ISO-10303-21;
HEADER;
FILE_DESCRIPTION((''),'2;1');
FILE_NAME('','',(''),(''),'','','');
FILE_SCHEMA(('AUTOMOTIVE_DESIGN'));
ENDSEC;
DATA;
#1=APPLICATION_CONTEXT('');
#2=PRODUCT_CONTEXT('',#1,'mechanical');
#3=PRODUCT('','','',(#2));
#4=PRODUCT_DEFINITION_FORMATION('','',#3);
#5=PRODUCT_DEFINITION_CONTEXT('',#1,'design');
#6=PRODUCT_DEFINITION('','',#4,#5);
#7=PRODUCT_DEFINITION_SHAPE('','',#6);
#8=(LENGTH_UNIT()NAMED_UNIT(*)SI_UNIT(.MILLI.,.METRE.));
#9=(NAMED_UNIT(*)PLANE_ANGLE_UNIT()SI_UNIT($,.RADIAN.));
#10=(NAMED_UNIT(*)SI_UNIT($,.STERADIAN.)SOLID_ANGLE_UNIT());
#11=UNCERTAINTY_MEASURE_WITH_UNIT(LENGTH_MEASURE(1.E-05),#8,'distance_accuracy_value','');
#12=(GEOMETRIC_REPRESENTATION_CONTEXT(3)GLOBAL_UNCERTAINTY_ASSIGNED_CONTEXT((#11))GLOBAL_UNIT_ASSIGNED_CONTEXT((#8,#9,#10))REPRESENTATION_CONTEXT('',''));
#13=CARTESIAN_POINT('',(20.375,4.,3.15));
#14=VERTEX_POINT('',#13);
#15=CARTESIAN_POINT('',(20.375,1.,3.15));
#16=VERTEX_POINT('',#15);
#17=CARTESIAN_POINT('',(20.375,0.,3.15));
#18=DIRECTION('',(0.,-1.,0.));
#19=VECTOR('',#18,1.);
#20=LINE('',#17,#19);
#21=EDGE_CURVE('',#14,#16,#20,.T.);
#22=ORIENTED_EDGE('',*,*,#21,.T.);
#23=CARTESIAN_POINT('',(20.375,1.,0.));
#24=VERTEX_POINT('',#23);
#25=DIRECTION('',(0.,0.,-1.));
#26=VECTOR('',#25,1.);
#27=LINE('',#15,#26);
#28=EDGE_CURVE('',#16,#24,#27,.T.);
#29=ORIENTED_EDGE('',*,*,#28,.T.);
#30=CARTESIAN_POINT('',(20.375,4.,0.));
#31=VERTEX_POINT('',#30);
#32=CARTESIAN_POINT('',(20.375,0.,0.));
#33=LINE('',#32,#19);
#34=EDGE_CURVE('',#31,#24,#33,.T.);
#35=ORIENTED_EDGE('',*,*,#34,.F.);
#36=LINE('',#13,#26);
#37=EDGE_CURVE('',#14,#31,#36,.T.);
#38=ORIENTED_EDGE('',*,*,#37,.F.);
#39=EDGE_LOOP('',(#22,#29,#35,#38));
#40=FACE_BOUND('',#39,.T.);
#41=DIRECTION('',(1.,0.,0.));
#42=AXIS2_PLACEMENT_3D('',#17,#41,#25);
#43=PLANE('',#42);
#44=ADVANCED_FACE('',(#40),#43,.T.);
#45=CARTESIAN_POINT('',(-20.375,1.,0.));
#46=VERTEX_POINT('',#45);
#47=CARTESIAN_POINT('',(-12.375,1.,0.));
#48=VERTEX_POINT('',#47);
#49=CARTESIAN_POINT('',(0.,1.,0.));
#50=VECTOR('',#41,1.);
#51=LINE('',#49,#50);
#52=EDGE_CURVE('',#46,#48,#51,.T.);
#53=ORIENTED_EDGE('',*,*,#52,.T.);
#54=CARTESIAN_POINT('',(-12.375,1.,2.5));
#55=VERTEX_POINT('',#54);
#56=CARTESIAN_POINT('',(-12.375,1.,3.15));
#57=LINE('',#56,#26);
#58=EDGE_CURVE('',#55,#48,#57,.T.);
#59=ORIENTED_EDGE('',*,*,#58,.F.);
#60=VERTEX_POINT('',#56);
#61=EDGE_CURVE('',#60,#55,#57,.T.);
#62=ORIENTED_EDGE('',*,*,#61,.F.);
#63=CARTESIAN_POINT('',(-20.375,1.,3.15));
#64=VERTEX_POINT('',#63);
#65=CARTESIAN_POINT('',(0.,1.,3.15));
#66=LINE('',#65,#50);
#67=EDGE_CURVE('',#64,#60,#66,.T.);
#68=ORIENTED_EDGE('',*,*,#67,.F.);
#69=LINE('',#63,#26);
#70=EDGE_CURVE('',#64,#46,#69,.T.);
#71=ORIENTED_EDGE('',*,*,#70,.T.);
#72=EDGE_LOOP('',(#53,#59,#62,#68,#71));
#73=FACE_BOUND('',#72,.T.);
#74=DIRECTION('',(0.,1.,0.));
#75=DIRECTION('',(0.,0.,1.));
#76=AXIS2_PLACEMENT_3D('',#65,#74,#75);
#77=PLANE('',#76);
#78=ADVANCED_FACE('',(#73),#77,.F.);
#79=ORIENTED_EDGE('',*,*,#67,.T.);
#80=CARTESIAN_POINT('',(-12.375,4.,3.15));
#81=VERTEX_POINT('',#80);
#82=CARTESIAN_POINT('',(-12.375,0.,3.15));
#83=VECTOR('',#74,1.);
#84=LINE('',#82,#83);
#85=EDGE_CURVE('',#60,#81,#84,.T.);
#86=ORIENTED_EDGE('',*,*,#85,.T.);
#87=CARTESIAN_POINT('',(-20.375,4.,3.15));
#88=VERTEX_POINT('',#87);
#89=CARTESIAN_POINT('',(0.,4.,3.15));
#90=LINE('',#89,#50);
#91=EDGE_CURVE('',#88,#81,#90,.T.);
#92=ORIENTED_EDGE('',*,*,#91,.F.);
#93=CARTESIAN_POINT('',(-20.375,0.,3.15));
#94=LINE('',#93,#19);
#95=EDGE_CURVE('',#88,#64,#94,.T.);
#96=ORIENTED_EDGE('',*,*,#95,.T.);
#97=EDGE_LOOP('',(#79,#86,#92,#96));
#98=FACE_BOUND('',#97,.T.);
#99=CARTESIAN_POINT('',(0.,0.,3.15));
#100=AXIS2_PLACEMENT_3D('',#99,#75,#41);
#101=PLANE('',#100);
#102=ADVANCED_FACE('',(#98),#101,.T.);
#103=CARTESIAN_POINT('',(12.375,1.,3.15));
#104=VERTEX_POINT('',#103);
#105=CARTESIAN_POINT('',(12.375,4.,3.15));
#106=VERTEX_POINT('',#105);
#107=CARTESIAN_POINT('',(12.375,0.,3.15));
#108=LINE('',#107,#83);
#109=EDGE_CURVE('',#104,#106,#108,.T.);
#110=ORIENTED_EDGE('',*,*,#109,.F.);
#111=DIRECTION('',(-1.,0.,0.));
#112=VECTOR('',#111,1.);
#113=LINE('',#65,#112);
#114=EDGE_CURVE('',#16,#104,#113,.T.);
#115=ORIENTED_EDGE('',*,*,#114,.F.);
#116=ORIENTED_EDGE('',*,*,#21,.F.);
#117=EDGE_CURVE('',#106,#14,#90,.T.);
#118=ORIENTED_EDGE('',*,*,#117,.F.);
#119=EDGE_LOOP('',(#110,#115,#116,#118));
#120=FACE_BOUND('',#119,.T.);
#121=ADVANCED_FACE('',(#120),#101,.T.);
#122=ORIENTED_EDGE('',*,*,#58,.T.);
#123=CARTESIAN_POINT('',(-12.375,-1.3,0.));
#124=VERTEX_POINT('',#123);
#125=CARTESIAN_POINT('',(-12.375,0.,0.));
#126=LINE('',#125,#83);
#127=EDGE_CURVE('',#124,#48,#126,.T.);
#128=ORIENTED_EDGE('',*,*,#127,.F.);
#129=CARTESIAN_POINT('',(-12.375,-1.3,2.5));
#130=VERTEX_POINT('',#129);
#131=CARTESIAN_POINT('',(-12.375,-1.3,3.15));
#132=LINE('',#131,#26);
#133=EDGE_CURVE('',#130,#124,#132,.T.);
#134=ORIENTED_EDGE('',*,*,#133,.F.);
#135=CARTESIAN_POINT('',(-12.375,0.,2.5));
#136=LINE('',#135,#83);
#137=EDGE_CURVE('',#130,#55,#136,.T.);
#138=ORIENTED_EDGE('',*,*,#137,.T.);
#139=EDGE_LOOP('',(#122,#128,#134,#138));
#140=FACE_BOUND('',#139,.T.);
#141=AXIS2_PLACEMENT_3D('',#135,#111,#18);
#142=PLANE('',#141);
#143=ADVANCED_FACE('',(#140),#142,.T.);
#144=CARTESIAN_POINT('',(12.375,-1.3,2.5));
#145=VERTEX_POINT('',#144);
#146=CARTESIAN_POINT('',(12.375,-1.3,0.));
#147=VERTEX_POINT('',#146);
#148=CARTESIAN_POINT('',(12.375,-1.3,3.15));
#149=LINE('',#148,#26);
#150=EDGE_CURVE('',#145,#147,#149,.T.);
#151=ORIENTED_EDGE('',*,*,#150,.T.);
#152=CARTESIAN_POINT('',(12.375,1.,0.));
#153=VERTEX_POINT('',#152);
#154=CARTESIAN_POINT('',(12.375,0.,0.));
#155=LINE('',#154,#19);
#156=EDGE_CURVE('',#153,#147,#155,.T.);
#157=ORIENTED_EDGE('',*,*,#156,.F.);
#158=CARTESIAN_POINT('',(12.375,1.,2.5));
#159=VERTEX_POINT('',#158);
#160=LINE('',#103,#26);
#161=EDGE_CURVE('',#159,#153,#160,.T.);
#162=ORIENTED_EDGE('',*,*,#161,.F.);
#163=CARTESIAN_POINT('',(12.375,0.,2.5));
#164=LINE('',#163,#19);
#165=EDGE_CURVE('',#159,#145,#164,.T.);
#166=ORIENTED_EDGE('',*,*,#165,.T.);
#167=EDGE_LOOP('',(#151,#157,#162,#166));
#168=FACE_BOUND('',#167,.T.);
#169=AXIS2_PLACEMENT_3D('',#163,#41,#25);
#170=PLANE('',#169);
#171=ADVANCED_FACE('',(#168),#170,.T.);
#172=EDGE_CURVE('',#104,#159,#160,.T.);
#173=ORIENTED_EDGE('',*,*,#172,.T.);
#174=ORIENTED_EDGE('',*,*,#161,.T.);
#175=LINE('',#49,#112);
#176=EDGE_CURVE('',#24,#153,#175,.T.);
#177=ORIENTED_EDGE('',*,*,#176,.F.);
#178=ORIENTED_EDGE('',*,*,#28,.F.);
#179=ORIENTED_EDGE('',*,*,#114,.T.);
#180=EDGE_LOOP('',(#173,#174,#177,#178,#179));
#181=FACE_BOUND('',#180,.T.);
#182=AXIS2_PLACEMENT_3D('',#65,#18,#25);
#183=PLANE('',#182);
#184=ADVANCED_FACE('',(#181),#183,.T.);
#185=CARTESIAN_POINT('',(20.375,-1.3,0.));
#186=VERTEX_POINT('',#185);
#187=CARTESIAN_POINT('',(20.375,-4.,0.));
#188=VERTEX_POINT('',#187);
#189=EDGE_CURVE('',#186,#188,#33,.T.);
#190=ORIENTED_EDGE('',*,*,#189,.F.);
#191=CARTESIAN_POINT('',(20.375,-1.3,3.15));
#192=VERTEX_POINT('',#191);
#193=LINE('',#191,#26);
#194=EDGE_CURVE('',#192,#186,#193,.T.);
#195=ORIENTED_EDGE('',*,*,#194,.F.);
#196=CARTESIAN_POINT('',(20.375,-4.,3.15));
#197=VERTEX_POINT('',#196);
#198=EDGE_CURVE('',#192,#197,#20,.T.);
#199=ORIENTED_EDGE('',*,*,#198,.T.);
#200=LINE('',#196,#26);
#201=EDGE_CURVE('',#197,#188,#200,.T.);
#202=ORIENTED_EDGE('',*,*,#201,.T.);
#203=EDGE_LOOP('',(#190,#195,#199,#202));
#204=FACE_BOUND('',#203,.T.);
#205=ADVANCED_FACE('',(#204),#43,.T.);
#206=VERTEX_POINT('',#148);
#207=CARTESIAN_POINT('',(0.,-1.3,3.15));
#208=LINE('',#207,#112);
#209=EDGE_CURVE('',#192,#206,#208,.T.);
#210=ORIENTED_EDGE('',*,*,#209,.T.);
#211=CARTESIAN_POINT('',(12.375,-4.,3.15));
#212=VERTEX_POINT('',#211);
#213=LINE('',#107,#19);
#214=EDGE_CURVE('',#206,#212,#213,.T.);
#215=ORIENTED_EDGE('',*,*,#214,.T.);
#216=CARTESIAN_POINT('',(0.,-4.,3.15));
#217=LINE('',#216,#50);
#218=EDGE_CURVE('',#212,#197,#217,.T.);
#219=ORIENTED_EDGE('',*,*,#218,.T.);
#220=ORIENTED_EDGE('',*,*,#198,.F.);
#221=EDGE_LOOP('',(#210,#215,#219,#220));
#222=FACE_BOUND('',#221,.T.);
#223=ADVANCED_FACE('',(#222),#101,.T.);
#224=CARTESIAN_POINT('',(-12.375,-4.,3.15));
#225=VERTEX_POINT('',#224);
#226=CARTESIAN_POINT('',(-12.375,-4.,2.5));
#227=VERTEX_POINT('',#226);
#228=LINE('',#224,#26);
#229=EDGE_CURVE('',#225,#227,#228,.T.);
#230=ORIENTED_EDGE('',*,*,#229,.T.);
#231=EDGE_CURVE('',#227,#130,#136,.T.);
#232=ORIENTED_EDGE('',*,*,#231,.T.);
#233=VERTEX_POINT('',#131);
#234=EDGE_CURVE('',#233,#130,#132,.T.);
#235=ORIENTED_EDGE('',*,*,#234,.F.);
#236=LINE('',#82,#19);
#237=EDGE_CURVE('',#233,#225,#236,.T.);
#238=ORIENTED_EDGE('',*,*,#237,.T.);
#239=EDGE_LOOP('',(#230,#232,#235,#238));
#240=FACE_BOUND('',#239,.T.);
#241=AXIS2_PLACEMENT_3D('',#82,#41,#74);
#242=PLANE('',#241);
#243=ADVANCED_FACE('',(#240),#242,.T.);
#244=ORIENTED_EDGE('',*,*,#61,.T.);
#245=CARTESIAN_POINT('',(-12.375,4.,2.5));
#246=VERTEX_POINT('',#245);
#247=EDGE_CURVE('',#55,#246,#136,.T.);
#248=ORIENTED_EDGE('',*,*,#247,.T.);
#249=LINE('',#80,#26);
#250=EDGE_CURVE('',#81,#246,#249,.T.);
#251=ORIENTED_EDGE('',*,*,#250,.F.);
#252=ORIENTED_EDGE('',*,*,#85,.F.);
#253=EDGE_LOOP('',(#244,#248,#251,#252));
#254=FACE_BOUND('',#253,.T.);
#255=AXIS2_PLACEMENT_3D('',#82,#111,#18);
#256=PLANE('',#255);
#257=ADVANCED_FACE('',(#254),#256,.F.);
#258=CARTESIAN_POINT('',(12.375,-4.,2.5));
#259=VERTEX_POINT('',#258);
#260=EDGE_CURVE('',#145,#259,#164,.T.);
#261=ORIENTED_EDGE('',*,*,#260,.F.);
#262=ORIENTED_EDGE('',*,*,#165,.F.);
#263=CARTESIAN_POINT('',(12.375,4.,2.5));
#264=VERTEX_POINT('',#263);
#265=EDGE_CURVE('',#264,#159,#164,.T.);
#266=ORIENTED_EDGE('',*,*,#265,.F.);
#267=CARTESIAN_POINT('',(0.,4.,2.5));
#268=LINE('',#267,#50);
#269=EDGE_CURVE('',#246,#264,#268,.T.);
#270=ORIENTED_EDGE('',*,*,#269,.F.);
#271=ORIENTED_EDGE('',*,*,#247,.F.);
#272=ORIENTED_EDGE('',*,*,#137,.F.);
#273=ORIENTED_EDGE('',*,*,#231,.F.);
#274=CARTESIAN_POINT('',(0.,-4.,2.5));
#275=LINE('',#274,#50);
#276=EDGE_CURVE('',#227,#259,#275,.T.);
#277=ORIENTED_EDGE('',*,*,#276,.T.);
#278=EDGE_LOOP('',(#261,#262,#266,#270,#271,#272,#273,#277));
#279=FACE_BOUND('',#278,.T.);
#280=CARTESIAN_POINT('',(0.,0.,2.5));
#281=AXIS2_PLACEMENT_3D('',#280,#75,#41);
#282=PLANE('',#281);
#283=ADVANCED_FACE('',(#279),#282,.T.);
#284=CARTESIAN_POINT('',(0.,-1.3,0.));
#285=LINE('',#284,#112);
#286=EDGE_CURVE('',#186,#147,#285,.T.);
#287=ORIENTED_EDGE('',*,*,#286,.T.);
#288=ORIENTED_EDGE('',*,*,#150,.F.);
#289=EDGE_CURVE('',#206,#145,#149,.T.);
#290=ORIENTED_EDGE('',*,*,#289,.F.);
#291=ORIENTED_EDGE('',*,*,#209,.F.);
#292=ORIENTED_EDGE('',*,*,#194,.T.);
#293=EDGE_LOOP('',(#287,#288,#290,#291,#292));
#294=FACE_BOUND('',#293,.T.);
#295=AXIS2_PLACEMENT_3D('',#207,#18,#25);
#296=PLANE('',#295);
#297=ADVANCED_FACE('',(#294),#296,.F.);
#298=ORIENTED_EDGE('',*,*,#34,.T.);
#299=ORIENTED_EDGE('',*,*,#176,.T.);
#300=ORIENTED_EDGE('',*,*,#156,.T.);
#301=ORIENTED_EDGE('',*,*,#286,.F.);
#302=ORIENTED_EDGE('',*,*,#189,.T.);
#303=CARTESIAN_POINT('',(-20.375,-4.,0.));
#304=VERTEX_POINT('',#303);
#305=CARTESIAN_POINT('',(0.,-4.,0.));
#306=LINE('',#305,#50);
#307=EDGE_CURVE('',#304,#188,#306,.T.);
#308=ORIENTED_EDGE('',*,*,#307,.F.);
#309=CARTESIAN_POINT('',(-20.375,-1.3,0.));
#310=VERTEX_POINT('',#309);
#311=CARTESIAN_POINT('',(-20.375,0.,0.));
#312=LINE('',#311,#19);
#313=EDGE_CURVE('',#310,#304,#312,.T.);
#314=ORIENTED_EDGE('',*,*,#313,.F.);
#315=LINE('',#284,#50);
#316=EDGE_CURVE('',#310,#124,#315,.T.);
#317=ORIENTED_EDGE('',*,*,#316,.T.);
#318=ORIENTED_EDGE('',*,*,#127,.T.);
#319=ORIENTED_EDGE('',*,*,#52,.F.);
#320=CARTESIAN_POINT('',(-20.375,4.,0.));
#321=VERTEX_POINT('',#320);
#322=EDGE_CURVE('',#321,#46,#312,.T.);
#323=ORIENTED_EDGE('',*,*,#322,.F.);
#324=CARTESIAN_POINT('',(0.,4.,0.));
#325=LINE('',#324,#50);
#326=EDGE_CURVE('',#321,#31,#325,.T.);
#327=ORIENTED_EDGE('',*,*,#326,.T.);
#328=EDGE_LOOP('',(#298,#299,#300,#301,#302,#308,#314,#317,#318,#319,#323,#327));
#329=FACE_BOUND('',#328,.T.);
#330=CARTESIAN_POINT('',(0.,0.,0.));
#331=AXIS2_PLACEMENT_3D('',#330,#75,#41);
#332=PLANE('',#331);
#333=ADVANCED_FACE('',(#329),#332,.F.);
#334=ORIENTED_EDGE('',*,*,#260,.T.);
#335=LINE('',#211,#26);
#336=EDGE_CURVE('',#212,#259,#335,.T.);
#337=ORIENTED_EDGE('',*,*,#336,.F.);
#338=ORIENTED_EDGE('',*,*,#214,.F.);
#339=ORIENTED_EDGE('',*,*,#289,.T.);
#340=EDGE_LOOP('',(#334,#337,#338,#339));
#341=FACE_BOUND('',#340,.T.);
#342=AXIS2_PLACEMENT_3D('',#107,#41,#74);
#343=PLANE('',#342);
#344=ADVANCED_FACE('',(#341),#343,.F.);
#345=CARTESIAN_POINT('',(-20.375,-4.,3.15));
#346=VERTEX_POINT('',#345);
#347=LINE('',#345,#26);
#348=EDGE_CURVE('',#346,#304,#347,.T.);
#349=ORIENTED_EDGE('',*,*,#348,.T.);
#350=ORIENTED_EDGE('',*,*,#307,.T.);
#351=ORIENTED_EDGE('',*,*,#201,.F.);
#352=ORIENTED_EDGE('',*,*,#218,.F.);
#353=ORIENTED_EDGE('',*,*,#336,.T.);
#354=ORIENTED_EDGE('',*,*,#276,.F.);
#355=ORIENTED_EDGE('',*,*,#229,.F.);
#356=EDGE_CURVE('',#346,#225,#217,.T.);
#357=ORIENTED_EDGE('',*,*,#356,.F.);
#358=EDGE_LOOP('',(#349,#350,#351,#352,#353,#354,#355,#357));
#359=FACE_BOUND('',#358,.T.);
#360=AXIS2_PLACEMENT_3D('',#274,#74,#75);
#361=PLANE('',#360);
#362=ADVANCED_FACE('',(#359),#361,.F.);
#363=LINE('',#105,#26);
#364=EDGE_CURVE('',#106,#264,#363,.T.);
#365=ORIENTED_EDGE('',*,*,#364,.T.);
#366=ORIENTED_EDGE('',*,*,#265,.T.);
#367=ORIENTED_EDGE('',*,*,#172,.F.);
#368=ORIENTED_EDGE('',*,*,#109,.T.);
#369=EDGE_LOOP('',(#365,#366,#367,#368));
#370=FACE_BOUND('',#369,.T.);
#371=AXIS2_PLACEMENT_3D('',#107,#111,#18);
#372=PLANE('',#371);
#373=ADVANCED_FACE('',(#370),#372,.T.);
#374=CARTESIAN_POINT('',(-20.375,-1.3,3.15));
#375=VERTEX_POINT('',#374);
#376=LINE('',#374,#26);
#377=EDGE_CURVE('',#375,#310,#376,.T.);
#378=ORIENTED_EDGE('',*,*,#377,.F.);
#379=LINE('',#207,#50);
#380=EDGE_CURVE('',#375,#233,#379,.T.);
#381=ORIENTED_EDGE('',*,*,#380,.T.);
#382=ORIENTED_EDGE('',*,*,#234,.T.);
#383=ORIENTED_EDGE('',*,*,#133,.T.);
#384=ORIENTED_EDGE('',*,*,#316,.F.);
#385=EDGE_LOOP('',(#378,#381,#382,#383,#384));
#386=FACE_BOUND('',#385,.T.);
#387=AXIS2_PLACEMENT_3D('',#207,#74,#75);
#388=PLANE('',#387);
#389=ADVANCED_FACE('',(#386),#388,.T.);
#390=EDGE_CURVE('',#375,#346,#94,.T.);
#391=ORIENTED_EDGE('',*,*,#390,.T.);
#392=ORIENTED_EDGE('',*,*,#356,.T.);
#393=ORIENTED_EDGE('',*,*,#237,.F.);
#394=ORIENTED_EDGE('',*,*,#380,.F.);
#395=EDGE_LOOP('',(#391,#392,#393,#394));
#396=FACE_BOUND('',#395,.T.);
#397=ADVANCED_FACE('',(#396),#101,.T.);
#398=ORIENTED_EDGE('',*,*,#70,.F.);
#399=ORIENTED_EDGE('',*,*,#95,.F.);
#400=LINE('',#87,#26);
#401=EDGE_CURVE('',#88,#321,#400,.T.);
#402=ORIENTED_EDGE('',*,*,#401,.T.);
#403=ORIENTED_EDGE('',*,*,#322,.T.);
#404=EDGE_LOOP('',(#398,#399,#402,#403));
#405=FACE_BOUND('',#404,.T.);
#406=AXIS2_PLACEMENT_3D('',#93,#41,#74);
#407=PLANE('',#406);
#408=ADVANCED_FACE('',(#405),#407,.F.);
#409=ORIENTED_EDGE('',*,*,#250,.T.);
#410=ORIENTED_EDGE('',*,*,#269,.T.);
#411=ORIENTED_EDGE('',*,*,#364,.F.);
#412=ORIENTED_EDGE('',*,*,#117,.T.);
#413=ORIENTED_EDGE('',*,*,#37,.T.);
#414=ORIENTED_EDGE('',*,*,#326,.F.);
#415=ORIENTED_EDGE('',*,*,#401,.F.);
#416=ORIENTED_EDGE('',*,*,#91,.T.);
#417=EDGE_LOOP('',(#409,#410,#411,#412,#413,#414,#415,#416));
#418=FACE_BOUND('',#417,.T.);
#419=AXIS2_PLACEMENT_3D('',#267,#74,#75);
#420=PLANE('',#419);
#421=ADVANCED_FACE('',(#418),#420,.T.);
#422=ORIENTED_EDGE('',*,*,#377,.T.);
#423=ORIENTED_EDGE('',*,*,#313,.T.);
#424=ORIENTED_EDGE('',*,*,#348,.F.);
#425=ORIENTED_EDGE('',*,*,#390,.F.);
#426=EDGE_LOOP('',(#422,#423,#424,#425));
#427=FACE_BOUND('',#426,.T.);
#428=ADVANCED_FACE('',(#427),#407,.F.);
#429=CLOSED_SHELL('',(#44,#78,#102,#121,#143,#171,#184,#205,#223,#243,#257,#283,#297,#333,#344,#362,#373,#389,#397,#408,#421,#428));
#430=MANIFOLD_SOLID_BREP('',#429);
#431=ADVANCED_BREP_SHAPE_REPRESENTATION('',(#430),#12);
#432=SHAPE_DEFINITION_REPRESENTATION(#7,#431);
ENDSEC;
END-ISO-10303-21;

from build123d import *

# Parameters (mm, degrees)
BOSS_EXTRUDE1_DEPTH = 2.5
SKETCH1_3_W         = 3.753393981
SKETCH1_3_H         = 3
SKETCH1_3_W_2       = 4.246606019
SKETCH1_3_H_2       = 2.7
SKETCH1_3_W_3       = 8
BOSS_EXTRUDE2_DEPTH = 3.15


with BuildPart() as part:
    # Sketch1 → Boss-Extrude1 (new body)
    with BuildSketch(Plane.XY):
        Polygon((12.375, 4), (-12.375, 4), (-12.375, 1), (-12.375, -1.3), (-12.375, -4), (12.375, -4), (12.375, -1.3), (12.375, 1), align=None)
    extrude(amount=BOSS_EXTRUDE1_DEPTH)

    # Sketch1<3> → Boss-Extrude2 (add)
    with BuildSketch(Plane.XY):
        with Locations((-18.498303009, 2.5)):
            Rectangle(SKETCH1_3_W, SKETCH1_3_H)
        with Locations((-14.49830301, 2.5)):
            Rectangle(SKETCH1_3_W_2, SKETCH1_3_H)
        with Locations((-14.49830301, -2.65)):
            Rectangle(SKETCH1_3_W_2, SKETCH1_3_H_2)
        with Locations((-18.498303009, -2.65)):
            Rectangle(SKETCH1_3_W, SKETCH1_3_H_2)
        with Locations((16.375, -2.65)):
            Rectangle(SKETCH1_3_W_3, SKETCH1_3_H_2)
        with Locations((16.375, 2.5)):
            Rectangle(SKETCH1_3_W_3, SKETCH1_3_H)
    extrude(amount=BOSS_EXTRUDE2_DEPTH)


solid = part.part
